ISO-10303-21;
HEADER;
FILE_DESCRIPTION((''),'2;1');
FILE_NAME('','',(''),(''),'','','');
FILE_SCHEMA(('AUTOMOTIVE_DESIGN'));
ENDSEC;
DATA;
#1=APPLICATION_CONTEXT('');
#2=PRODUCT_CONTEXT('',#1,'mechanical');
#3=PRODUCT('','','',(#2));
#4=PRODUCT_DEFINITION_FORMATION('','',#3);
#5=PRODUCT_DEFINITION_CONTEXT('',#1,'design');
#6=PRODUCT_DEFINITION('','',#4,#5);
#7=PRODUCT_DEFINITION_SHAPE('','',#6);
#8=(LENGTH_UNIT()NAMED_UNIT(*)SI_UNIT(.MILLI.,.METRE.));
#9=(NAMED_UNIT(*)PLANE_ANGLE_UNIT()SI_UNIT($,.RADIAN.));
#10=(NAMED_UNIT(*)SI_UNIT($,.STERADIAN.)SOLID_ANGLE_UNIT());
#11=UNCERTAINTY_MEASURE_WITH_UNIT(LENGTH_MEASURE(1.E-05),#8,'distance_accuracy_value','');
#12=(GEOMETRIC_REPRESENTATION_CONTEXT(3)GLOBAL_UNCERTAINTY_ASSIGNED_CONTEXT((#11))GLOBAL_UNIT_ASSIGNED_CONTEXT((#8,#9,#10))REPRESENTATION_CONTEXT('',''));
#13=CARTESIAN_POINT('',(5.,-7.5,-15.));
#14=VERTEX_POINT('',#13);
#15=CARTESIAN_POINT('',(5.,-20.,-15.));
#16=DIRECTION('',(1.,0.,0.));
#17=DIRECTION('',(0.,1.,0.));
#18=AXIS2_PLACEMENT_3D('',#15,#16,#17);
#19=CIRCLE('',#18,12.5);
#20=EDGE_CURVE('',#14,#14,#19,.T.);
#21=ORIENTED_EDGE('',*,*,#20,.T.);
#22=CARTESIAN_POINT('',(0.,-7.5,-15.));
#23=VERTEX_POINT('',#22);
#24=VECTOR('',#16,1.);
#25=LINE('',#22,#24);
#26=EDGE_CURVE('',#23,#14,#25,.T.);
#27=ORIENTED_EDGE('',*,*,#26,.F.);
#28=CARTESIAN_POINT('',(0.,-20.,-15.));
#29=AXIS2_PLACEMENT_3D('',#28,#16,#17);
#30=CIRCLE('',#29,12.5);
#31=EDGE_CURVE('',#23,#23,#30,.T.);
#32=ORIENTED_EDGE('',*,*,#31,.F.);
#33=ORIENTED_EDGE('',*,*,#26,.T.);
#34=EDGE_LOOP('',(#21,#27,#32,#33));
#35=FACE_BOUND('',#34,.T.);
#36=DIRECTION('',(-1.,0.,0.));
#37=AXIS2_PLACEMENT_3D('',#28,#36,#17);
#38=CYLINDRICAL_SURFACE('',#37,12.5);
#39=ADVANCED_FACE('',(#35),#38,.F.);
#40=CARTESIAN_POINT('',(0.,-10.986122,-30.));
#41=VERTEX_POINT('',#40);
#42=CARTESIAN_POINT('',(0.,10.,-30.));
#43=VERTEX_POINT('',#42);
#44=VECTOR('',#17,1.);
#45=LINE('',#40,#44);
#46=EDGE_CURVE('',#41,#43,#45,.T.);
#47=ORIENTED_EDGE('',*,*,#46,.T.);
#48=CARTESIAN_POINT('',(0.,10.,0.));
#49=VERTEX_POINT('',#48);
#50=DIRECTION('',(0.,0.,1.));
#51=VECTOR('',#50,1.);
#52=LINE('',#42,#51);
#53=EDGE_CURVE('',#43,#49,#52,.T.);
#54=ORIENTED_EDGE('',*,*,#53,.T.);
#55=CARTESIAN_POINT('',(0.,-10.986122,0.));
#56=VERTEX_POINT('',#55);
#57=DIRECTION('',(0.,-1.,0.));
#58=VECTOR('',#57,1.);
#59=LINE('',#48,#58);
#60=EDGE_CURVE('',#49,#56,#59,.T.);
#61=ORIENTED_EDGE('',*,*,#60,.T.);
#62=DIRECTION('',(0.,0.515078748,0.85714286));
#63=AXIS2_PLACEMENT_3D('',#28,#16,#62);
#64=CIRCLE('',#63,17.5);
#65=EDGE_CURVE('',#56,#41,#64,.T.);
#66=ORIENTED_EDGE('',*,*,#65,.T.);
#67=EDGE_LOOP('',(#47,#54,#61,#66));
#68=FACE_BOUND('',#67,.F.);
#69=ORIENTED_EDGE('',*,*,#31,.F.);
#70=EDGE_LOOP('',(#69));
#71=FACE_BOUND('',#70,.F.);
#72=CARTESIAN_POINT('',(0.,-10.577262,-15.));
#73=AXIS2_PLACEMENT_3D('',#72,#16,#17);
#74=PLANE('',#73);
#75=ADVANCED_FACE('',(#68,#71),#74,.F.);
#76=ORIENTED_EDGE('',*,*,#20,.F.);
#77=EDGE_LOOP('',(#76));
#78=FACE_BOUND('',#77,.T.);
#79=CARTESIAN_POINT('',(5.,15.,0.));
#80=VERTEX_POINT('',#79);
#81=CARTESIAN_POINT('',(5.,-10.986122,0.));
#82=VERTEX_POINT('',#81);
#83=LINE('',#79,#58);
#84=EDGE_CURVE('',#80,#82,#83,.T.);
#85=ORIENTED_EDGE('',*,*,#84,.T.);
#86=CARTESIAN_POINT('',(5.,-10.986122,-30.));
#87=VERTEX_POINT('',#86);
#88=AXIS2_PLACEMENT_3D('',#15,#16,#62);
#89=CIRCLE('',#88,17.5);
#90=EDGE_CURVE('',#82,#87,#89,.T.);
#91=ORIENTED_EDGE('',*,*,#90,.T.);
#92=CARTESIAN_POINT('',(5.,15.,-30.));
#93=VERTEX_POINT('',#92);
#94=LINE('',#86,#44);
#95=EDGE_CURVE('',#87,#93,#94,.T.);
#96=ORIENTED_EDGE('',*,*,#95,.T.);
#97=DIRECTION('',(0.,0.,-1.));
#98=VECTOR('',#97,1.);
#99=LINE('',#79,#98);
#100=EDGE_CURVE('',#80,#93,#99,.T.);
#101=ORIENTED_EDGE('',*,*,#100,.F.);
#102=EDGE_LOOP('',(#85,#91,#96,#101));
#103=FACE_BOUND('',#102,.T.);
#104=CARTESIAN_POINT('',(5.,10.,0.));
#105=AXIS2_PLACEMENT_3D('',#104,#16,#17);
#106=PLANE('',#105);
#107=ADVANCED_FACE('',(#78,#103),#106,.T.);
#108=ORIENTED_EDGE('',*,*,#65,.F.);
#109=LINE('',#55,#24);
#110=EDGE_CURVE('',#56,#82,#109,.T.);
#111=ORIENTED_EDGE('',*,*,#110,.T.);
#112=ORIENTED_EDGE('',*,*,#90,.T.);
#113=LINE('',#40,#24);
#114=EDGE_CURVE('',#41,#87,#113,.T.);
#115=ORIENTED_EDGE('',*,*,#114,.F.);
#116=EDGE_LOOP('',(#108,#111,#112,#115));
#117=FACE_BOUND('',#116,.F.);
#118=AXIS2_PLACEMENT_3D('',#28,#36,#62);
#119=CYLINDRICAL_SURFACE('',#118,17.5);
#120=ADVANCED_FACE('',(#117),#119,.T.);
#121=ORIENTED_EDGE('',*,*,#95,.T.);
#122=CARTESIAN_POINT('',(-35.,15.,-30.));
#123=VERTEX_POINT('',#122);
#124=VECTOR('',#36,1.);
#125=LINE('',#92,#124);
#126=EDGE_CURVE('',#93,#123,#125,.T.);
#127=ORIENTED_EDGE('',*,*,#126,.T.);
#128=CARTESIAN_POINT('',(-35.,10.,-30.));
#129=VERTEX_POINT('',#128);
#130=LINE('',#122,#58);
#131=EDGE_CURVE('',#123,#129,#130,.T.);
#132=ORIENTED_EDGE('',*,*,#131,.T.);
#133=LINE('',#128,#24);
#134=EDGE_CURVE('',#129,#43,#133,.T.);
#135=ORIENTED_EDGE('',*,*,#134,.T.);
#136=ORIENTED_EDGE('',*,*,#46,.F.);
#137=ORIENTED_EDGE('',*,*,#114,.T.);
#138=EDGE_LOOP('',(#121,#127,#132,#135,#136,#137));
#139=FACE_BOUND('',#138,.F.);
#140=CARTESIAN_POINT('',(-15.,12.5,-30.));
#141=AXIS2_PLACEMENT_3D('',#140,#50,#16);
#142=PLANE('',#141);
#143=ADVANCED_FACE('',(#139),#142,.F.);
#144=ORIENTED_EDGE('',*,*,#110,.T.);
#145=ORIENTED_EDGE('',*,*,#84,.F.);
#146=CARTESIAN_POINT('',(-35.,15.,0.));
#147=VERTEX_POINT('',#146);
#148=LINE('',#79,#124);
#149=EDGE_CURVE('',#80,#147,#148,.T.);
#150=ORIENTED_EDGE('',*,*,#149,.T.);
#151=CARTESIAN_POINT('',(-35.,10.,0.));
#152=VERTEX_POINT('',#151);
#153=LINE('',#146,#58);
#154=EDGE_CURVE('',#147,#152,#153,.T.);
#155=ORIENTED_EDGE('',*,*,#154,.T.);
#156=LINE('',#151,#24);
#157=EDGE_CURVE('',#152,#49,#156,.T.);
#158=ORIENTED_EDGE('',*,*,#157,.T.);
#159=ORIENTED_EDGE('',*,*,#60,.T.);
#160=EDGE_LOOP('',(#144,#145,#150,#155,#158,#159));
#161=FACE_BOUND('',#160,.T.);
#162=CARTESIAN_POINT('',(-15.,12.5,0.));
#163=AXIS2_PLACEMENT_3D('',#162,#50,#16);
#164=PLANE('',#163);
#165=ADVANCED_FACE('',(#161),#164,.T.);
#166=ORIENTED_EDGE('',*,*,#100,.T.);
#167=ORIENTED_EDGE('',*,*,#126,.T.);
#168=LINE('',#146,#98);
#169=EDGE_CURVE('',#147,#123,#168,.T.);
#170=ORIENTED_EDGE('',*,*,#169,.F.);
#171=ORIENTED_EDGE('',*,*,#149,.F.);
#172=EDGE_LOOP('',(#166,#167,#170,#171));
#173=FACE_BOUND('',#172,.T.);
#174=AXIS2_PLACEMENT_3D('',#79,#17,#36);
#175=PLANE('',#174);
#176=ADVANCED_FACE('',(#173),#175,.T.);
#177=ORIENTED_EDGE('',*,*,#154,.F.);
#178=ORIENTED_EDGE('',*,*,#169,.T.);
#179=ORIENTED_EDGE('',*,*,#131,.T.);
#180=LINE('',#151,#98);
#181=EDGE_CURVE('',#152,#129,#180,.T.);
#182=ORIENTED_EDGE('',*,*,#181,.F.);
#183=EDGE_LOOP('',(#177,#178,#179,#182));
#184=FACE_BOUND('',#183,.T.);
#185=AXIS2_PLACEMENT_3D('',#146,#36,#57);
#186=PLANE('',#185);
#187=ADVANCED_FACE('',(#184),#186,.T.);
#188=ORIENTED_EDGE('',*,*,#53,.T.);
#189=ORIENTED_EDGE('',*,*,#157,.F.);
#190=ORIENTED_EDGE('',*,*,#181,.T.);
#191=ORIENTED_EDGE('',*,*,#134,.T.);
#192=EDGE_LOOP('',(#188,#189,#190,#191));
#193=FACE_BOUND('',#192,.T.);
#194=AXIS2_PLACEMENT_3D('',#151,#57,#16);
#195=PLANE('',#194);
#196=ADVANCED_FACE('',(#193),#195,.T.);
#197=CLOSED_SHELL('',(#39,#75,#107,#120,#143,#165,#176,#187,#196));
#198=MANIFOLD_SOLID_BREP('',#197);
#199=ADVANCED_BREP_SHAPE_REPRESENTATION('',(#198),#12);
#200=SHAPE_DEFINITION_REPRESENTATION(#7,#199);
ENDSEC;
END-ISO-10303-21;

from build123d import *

# Parameters (mm, degrees)
F0_R     = 12.5
F1_DEPTH = 5
F3_DEPTH = 30


with BuildPart() as f1:
    # F0 (on Right) → F1 (new body)
    with BuildSketch(Plane.YZ):
        with BuildLine():
            Line((10, 0), (0, 0))
            Line((0, 0), (-10.986122, 0))
            ThreePointArc((-10.986122, 0), (-37.5, -15), (-10.986122, -30))
            Line((-10.986122, -30), (0, -30))
            Line((0, -30), (10, -30))
            Line((10, -30), (10, 0))
        make_face()
        with Locations((-20, -15)):
            Circle(F0_R, mode=Mode.SUBTRACT)
    extrude(amount=F1_DEPTH)

    # F2 (on Top) → F3 (join)
    with BuildSketch(Plane.XY):
        Polygon((-15, 10), (0, 10), (5, 10), (5, 15), (-35, 15), (-35, 10), align=None)
    extrude(amount=-F3_DEPTH)


solid = f1.part
